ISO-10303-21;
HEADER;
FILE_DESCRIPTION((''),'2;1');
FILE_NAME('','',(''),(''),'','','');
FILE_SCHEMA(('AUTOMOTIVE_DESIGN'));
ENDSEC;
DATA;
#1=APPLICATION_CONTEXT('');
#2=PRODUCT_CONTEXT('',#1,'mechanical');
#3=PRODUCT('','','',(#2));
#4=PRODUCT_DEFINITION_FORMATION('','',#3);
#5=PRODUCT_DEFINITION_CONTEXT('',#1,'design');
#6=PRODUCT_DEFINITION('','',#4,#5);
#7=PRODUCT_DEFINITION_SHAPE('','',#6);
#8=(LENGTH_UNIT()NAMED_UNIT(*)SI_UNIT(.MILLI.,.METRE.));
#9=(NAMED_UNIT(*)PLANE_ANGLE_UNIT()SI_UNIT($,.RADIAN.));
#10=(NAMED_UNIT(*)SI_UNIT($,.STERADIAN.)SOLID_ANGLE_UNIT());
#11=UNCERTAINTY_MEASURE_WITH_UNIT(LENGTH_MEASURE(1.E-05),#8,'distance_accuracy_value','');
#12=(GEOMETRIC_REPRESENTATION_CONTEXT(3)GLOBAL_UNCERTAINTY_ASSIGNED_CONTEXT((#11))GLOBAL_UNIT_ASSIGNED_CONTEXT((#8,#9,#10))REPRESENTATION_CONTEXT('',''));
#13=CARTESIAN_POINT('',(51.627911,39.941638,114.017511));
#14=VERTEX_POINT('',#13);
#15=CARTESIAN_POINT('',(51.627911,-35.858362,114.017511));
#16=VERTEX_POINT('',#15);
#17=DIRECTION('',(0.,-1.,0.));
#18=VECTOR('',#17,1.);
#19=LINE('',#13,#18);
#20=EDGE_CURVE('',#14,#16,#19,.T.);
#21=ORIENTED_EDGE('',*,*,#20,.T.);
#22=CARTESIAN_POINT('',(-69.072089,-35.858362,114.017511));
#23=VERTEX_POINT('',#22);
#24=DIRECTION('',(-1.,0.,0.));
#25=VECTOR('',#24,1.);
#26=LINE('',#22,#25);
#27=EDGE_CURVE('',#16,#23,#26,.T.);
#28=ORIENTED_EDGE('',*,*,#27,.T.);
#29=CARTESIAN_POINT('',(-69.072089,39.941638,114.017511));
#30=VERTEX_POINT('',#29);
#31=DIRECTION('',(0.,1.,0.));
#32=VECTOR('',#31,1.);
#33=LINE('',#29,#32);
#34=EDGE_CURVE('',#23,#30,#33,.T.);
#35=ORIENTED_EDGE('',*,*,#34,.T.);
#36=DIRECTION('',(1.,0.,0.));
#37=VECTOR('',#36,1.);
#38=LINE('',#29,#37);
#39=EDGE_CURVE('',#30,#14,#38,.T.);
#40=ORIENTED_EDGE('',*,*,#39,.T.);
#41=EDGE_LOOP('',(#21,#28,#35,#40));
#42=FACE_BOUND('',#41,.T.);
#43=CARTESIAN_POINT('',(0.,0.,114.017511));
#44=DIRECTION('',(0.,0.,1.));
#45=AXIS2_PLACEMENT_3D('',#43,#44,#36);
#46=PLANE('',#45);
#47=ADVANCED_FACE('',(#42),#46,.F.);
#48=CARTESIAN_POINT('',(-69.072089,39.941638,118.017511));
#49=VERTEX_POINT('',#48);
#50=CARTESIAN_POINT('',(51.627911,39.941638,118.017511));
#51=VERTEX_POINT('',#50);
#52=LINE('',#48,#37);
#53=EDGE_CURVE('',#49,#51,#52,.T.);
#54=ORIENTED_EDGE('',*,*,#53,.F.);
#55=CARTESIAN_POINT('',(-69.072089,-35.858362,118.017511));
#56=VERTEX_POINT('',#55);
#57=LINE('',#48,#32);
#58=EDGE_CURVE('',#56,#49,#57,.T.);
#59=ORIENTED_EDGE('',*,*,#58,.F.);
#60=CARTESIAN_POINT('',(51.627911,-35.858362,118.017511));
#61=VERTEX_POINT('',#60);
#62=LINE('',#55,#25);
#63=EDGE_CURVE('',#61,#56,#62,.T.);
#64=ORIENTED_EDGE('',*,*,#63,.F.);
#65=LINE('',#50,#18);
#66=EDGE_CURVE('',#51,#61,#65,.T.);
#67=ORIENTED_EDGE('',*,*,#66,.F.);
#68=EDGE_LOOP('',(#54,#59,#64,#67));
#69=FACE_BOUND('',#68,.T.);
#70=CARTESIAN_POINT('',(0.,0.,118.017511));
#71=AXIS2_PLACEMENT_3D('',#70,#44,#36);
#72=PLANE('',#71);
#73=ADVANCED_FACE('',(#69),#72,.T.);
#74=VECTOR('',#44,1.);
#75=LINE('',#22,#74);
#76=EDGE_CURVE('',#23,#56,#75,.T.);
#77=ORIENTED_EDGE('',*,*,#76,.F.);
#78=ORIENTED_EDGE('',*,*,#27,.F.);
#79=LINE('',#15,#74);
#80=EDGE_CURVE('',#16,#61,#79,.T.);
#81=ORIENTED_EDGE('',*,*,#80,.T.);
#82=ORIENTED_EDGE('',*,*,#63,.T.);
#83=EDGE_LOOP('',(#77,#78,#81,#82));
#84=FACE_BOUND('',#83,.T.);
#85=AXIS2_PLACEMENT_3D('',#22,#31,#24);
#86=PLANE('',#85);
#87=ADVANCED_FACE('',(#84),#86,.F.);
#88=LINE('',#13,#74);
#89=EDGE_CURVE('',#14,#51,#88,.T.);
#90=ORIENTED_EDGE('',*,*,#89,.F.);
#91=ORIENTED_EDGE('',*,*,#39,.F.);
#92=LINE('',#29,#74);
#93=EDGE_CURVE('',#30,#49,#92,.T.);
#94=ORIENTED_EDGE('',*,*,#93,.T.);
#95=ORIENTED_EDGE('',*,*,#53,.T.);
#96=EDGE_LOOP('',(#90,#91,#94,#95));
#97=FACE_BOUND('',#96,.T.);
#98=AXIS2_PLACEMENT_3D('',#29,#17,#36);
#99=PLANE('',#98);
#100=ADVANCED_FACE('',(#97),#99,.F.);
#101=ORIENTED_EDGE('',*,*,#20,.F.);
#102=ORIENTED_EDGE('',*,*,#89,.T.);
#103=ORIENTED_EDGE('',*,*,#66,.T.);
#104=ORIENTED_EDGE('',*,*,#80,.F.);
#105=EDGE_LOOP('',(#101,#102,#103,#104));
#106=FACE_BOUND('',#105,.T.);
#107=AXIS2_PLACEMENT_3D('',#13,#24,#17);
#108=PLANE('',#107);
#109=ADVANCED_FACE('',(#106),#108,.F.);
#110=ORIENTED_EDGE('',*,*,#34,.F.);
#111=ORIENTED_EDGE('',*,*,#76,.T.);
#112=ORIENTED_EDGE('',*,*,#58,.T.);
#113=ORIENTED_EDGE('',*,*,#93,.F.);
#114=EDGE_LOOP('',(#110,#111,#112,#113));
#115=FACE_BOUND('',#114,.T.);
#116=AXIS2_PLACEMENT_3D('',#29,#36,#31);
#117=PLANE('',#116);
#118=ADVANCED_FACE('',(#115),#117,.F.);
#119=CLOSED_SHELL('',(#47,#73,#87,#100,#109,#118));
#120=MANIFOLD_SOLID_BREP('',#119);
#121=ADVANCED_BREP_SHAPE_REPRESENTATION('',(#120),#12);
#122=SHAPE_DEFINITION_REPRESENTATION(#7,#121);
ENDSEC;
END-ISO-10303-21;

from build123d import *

# Parameters (mm, degrees)
SKETCH_1_W      = 120.7
SKETCH_1_H      = 75.8
EXTRUDE_1_DEPTH = 4


with BuildPart() as part:
    # 草图1 → 凸台-拉伸1 (new body)
    with BuildSketch(Plane(origin=(0, 0, 118.017510674), x_dir=(-1, 0, 0), z_dir=(0, 0, -1))):
        with Locations((8.722088665, 2.041638438)):
            Rectangle(SKETCH_1_W, SKETCH_1_H)
    extrude(amount=EXTRUDE_1_DEPTH)


solid = part.part
